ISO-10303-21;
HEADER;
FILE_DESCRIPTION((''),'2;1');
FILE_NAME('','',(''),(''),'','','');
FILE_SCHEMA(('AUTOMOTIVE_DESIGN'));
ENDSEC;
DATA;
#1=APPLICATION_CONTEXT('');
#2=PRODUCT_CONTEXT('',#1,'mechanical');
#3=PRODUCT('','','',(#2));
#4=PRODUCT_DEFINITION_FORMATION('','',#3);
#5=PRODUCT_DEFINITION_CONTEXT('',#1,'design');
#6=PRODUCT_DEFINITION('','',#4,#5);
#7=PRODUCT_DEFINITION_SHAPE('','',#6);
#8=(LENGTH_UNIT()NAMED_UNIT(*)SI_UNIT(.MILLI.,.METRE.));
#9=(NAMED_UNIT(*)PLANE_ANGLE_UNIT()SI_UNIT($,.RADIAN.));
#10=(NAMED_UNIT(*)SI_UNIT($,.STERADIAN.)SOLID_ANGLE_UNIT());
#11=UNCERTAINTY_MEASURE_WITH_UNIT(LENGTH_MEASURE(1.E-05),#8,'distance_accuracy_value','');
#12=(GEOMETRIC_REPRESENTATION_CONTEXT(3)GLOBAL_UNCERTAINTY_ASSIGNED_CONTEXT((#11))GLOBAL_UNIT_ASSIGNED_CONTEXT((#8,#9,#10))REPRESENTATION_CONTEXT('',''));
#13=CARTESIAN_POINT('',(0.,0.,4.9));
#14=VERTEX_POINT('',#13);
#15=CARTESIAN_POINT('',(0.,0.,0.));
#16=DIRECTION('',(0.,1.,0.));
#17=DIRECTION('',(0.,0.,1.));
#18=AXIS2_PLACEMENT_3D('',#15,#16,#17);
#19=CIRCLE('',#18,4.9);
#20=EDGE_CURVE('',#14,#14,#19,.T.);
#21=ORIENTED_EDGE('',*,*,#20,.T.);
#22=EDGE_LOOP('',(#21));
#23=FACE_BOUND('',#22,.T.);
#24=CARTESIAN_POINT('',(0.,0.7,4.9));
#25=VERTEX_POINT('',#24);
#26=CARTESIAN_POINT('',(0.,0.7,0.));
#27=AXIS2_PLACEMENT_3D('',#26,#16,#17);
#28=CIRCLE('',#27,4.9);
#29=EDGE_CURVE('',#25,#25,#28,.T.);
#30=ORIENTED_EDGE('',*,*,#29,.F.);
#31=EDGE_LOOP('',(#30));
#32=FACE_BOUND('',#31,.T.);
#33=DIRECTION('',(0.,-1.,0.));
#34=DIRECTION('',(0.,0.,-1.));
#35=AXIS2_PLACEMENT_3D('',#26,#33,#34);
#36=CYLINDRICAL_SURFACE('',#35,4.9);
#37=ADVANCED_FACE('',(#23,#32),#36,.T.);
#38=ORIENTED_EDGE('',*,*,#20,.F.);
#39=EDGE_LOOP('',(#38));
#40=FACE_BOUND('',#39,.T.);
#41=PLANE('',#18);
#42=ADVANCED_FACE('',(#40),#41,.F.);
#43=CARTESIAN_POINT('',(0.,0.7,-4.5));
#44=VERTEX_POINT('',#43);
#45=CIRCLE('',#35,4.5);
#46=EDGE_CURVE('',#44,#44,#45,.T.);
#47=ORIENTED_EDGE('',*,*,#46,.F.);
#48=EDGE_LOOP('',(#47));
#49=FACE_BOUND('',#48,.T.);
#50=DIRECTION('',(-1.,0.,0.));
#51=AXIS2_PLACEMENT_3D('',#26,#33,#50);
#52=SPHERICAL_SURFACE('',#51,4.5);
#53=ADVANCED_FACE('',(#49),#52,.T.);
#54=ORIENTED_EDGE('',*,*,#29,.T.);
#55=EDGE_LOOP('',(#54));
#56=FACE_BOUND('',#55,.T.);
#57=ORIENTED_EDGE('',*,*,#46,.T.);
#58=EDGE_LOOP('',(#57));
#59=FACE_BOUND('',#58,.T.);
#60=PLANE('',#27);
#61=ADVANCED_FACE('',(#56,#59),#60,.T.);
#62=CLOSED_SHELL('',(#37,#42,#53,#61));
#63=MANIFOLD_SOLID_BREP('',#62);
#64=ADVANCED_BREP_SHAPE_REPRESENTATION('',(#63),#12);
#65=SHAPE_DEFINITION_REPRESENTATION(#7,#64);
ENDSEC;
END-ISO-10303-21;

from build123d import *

# Parameters (mm, degrees)
SKETCH_1_R      = 4.9
EXTRUDE_1_DEPTH = 0.7


with BuildPart() as part:
    # 草图1 → 凸台-拉伸1 (new body)
    with BuildSketch(Plane(origin=(0, 0, 0), x_dir=(1, 0, 0), z_dir=(0, 1, 0))):
        with Locations(Location((0, 0, 0), (0, 0, 270))):
            Circle(SKETCH_1_R)
    extrude(amount=EXTRUDE_1_DEPTH)

    # 草图2 → 旋转1 (revolve)
    with BuildSketch(Plane.XY):
        with BuildLine():
            ThreePointArc((0, 5.2), (-3.181980515, 3.881980515), (-4.5, 0.7))
            Line((-4.5, 0.7), (0, 0.7))
            Line((0, 0.7), (0, 5.2))
        make_face()
    revolve(axis=Axis((0, 0.7, 0), (0, 1, 0)))


solid = part.part
